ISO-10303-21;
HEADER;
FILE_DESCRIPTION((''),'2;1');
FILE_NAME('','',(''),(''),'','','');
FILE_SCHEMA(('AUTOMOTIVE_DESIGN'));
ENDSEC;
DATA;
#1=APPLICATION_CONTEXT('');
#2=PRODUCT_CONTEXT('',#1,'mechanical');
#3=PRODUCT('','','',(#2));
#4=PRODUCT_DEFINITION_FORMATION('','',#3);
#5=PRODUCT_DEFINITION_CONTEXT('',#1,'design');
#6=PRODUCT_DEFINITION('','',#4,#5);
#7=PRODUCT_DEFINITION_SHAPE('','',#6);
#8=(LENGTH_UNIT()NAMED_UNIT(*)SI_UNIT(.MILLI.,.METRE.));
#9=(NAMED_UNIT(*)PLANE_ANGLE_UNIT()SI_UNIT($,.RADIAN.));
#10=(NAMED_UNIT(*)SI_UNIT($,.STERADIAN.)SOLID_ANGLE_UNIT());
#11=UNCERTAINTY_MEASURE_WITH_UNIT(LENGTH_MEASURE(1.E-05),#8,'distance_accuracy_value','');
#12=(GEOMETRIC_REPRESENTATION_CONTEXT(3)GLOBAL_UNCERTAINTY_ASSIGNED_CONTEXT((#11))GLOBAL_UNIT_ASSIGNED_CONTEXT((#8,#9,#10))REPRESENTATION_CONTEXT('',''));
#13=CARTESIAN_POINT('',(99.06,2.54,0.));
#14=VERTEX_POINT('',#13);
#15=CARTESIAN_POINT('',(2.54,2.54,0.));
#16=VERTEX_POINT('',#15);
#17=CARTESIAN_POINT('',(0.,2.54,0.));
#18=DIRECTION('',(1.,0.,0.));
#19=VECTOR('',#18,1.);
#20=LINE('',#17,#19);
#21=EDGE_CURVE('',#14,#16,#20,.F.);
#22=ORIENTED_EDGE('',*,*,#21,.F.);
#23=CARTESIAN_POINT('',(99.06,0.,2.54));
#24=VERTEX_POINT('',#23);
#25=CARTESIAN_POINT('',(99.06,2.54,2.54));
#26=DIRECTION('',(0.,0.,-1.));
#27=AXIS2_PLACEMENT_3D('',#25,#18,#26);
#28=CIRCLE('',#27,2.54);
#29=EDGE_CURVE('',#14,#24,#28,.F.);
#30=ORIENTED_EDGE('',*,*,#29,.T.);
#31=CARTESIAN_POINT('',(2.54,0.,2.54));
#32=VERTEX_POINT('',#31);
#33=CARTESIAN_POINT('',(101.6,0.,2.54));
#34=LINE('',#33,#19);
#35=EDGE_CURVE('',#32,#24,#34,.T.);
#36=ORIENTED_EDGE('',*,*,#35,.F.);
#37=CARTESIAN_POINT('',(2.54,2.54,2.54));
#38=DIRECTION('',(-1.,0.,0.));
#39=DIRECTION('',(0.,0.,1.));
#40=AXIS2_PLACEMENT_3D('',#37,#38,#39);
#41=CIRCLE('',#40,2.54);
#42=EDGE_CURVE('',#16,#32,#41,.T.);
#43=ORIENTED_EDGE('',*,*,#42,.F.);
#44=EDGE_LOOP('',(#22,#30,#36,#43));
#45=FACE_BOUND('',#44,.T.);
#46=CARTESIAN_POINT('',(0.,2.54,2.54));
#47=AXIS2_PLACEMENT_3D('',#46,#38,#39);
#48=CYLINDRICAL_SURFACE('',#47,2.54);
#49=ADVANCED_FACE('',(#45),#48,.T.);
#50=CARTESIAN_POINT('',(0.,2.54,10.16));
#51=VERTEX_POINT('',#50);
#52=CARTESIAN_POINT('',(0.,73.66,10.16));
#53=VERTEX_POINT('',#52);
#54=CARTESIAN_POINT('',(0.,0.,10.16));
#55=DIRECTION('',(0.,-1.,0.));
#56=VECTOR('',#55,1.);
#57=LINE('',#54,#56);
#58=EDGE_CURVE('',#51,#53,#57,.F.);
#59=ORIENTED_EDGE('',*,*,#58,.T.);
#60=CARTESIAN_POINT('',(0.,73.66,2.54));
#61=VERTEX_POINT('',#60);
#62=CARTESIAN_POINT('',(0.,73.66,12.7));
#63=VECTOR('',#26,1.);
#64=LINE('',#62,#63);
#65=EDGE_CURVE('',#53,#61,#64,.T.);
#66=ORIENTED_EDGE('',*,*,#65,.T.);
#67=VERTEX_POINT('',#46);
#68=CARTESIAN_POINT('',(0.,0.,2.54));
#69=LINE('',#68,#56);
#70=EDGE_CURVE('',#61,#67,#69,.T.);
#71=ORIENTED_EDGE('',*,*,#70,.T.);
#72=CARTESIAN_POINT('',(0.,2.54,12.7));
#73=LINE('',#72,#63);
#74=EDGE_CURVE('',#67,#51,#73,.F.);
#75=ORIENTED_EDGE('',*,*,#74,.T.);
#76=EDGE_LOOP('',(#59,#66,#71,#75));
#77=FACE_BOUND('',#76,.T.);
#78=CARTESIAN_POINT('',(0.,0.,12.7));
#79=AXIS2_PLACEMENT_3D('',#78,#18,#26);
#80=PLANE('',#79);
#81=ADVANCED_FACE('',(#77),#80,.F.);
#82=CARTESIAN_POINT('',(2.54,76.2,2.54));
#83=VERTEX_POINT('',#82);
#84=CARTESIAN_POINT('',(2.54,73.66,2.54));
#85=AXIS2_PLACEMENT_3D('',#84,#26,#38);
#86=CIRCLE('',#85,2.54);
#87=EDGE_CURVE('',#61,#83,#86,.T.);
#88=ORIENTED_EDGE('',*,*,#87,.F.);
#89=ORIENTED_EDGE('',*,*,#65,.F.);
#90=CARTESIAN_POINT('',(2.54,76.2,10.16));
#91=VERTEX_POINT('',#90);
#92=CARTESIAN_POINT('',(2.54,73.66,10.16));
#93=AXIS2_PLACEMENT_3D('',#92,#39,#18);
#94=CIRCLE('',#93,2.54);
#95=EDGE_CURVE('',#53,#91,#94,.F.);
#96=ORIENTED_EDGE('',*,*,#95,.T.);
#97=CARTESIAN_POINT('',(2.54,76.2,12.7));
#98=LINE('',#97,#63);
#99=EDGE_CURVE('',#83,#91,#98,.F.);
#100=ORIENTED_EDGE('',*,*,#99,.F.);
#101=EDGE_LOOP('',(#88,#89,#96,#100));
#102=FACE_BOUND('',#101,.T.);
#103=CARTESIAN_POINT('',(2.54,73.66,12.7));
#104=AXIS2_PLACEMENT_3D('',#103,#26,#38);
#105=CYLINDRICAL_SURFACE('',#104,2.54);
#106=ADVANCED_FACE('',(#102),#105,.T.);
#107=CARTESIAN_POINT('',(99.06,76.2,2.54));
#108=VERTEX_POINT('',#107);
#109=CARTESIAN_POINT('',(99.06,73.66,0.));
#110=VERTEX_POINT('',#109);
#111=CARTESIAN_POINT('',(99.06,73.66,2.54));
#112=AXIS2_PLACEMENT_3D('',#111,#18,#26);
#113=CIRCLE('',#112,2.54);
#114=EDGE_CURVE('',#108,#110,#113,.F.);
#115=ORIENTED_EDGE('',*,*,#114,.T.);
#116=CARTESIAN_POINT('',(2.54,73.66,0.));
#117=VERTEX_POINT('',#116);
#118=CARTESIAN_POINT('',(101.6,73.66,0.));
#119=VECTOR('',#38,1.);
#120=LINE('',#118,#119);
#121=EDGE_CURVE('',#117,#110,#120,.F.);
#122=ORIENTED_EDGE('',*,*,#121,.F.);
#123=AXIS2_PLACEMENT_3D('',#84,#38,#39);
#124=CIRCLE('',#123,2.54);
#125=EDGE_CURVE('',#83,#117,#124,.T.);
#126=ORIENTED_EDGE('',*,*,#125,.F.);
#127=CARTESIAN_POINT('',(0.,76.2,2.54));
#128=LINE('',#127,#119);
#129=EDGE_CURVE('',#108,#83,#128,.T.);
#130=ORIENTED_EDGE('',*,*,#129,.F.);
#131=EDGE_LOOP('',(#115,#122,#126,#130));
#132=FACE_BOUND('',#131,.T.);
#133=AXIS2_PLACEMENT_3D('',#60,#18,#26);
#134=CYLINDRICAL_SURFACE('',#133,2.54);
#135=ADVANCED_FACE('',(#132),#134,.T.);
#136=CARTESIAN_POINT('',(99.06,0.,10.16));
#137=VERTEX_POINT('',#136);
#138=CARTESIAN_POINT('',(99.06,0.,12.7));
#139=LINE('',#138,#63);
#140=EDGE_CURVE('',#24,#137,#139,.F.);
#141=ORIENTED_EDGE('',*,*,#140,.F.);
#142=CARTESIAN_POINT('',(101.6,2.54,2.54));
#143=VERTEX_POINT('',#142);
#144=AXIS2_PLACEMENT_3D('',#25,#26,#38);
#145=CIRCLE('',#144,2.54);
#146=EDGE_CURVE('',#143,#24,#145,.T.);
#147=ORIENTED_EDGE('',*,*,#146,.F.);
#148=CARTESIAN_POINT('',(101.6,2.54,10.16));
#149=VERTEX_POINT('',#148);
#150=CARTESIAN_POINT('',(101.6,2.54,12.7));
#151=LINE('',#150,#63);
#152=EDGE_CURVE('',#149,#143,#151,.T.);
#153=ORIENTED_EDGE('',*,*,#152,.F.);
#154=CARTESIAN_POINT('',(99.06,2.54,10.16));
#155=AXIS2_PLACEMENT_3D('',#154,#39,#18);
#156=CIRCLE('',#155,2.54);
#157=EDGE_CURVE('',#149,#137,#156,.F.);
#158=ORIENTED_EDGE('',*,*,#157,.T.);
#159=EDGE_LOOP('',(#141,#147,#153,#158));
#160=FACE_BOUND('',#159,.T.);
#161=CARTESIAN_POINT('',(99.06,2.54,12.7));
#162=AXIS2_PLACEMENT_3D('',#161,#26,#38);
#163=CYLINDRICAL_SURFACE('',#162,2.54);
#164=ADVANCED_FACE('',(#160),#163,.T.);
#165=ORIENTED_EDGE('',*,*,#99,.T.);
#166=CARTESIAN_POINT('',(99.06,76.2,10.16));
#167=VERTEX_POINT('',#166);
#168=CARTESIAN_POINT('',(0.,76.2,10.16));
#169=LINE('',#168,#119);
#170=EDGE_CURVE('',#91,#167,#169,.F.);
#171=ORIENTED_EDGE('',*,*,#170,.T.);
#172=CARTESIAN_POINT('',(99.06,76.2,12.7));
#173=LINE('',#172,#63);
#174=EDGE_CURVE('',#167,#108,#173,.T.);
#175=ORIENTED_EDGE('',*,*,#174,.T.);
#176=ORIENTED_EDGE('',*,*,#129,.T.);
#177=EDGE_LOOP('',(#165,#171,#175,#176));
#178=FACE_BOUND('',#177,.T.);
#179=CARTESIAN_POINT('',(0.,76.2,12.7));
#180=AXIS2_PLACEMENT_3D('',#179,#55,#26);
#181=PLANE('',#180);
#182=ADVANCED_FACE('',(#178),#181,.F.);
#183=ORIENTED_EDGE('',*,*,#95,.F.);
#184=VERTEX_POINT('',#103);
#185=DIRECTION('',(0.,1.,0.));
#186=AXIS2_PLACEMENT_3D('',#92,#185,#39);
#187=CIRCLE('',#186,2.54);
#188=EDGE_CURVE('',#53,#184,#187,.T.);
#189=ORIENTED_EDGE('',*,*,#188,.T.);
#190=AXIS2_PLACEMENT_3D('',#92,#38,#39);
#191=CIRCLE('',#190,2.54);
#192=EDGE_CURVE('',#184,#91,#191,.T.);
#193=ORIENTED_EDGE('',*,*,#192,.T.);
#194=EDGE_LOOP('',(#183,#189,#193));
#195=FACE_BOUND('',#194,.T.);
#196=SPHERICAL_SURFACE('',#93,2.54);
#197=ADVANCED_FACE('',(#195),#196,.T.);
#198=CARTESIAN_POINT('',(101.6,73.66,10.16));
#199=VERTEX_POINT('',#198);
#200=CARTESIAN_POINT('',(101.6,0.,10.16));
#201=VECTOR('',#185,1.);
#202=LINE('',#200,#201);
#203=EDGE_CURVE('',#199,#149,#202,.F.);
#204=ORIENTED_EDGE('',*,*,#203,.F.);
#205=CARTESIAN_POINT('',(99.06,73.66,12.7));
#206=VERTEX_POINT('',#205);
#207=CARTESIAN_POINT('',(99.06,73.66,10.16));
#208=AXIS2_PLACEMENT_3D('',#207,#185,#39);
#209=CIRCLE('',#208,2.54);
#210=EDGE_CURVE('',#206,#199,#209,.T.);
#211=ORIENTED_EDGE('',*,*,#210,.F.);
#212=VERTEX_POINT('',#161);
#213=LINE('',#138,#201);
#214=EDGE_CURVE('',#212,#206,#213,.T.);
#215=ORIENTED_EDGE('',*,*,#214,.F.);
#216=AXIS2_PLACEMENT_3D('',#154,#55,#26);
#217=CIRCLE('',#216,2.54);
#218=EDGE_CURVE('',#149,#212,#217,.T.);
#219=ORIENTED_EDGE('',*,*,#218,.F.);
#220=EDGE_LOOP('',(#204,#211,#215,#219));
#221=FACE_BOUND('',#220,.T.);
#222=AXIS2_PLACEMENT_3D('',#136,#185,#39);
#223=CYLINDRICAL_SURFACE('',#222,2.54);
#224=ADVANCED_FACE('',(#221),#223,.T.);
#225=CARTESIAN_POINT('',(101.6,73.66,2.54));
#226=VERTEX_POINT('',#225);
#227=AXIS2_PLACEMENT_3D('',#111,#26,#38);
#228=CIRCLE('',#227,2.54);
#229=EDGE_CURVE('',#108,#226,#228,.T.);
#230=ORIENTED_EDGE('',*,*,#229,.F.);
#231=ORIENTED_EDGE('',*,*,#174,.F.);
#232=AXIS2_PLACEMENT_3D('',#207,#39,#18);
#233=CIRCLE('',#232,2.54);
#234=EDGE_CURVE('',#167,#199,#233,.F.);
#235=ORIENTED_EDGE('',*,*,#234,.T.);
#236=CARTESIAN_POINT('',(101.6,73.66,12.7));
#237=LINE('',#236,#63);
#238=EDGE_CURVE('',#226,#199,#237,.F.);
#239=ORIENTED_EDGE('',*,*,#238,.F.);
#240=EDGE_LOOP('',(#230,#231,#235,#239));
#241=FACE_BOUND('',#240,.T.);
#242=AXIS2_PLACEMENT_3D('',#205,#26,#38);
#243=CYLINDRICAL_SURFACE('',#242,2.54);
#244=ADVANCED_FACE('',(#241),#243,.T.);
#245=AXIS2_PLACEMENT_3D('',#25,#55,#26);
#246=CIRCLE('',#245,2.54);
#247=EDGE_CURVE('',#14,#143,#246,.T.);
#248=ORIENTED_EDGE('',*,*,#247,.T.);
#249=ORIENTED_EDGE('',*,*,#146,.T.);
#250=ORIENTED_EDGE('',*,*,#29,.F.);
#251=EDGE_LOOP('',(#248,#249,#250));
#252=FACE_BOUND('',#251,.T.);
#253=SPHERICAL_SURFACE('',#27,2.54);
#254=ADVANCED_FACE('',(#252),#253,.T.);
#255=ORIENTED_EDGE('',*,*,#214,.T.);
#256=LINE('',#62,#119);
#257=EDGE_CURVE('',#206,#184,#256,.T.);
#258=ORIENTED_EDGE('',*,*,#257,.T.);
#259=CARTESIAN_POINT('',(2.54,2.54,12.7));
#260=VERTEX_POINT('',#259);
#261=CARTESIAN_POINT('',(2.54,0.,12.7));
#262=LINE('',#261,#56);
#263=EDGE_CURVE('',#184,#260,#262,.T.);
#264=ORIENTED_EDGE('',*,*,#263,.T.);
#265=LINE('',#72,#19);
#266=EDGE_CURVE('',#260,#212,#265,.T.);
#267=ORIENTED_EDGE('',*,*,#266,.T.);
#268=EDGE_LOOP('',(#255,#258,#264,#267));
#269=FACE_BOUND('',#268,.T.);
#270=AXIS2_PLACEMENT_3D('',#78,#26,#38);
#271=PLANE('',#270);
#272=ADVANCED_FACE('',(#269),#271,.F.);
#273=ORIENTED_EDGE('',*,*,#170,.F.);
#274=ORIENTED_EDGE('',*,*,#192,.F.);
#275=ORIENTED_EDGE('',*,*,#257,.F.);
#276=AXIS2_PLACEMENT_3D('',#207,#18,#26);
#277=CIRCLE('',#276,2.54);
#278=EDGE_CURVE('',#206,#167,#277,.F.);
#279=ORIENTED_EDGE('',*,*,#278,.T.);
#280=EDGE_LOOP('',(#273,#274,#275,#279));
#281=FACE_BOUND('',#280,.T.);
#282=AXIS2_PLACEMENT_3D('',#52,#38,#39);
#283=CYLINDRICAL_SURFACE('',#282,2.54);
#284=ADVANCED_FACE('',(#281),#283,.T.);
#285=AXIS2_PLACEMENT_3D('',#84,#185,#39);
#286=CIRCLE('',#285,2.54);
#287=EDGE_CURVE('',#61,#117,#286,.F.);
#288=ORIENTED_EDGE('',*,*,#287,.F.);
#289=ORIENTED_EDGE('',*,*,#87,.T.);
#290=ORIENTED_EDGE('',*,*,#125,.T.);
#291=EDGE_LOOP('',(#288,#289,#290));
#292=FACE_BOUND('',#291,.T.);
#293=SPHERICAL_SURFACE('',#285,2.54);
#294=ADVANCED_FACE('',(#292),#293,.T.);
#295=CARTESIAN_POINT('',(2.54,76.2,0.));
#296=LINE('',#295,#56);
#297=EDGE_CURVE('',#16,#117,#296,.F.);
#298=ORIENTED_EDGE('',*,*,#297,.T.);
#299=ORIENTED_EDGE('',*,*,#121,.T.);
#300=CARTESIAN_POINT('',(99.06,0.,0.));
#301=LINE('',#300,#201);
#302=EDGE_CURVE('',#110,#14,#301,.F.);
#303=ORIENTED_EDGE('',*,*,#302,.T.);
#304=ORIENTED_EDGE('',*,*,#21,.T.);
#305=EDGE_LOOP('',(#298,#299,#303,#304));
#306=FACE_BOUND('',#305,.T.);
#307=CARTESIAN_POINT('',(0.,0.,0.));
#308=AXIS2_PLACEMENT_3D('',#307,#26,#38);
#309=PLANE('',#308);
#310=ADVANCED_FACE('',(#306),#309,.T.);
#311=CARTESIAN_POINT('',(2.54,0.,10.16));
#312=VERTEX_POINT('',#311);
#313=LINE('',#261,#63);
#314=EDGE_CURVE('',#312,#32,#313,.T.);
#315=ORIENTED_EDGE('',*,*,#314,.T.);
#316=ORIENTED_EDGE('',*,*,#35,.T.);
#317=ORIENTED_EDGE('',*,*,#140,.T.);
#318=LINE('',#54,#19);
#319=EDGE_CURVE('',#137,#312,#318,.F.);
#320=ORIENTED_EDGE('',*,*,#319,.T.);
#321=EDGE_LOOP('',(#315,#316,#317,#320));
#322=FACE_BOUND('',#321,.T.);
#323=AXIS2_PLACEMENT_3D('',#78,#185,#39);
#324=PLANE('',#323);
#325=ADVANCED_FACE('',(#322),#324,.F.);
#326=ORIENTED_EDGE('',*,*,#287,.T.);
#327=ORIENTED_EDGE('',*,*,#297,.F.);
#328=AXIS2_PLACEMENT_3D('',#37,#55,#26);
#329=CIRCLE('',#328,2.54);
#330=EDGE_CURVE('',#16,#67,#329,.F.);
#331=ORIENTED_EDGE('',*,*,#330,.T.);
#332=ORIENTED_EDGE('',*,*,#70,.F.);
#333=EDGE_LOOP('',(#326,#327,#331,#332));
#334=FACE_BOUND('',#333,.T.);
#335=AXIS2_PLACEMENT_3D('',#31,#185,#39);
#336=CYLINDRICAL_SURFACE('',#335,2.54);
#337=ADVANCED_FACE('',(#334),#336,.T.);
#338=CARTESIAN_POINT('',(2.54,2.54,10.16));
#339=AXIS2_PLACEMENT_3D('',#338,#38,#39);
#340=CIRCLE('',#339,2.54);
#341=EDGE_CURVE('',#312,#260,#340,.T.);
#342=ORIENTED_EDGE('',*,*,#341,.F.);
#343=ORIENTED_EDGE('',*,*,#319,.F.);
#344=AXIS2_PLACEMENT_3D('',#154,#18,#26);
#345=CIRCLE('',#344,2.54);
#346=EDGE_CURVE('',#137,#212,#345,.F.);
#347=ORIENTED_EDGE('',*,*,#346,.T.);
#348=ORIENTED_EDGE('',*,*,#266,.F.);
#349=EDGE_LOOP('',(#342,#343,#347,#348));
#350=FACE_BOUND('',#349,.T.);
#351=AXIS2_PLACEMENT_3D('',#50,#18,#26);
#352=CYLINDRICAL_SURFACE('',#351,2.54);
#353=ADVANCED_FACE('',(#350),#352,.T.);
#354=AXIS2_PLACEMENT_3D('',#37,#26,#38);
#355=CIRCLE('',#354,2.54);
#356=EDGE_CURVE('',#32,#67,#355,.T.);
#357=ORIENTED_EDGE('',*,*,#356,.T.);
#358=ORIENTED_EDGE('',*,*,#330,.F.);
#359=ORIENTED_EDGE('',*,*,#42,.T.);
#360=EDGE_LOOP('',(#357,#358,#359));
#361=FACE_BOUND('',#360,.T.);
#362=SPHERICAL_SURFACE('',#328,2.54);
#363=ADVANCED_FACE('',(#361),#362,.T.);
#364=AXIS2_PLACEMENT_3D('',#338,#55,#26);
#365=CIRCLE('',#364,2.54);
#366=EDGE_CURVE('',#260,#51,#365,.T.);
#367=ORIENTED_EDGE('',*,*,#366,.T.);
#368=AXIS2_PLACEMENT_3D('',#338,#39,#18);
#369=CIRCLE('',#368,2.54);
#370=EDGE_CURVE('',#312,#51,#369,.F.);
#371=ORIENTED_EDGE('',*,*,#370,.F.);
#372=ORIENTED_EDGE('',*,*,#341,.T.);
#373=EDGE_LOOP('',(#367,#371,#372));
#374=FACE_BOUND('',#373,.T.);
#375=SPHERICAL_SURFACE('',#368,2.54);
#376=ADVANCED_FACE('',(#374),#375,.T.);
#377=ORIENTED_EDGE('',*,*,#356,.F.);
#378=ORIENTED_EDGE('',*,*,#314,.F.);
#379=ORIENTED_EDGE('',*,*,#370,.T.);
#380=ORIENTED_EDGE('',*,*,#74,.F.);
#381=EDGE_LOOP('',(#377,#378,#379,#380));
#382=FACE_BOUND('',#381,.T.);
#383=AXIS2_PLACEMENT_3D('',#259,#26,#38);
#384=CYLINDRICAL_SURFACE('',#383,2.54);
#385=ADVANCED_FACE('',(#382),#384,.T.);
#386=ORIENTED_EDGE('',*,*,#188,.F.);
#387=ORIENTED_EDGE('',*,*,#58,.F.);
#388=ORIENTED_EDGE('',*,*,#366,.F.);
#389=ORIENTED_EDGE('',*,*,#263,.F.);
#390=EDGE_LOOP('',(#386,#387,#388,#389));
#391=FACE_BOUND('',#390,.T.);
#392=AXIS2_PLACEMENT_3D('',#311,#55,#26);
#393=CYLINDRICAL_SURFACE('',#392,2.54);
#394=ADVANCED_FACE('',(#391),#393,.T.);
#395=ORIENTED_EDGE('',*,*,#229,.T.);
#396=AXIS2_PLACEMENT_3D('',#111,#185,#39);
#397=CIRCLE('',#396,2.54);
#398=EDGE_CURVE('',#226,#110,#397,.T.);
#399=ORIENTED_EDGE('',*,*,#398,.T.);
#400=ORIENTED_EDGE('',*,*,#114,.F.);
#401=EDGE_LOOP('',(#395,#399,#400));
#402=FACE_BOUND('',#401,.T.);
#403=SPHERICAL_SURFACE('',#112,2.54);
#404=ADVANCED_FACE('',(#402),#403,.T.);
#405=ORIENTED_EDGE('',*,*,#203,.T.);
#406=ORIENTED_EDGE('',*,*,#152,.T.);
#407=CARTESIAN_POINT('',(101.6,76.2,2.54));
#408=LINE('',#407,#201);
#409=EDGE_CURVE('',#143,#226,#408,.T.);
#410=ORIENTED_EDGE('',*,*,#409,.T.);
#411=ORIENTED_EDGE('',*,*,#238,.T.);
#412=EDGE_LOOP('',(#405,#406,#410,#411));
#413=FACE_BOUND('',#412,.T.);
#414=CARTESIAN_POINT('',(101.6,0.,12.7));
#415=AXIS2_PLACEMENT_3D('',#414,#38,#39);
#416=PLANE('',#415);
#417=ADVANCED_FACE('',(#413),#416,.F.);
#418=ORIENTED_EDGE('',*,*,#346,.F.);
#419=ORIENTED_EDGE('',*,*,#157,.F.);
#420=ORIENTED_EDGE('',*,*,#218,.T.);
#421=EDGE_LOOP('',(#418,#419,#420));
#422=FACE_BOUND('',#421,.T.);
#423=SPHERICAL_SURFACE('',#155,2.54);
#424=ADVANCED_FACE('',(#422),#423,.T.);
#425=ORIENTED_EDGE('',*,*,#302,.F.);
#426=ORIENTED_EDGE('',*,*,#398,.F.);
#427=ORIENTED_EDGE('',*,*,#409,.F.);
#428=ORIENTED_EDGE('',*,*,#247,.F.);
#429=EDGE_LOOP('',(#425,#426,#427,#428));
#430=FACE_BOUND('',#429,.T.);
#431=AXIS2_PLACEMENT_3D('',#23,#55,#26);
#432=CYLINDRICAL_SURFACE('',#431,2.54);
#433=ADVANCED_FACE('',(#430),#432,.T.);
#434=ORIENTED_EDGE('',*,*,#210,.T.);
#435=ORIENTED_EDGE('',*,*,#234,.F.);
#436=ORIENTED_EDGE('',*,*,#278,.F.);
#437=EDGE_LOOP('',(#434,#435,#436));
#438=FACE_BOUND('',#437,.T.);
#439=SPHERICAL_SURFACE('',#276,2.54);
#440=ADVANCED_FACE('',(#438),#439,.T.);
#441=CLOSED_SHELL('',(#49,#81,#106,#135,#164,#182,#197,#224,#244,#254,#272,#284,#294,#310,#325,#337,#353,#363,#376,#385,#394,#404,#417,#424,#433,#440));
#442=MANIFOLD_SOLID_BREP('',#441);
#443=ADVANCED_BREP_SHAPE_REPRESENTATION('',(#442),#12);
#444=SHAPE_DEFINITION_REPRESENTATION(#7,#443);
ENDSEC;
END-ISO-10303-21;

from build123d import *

# Parameters (mm, degrees)
SKETCH1_W           = 101.6
SKETCH1_H           = 76.2
BOSS_EXTRUDE1_DEPTH = 12.7
FILLET1_R           = 2.54


with BuildPart() as part:
    # Sketch1 → Boss-Extrude1 (new body)
    with BuildSketch(Plane.XY):
        with Locations((50.8, 38.1)):
            Rectangle(SKETCH1_W, SKETCH1_H)
    extrude(amount=BOSS_EXTRUDE1_DEPTH)

    # Fillet1
    fillet1_edges = [part.edges().sort_by_distance(p)[0] for p in [
        (101.6, 38.1, 12.7),
        (50.8, 76.2, 12.7),
        (0, 38.1, 12.7),
        (50.8, 76.2, 0),
        (101.6, 38.1, 0),
        (50.8, 0, 0),
        (0, 38.1, 0),
        (0, 76.2, 6.35),
        (101.6, 76.2, 6.35),
        (101.6, 0, 6.35),
        (0, 0, 6.35),
        (50.8, 0, 12.7),
    ]]
    fillet(fillet1_edges, radius=FILLET1_R)


solid = part.part
